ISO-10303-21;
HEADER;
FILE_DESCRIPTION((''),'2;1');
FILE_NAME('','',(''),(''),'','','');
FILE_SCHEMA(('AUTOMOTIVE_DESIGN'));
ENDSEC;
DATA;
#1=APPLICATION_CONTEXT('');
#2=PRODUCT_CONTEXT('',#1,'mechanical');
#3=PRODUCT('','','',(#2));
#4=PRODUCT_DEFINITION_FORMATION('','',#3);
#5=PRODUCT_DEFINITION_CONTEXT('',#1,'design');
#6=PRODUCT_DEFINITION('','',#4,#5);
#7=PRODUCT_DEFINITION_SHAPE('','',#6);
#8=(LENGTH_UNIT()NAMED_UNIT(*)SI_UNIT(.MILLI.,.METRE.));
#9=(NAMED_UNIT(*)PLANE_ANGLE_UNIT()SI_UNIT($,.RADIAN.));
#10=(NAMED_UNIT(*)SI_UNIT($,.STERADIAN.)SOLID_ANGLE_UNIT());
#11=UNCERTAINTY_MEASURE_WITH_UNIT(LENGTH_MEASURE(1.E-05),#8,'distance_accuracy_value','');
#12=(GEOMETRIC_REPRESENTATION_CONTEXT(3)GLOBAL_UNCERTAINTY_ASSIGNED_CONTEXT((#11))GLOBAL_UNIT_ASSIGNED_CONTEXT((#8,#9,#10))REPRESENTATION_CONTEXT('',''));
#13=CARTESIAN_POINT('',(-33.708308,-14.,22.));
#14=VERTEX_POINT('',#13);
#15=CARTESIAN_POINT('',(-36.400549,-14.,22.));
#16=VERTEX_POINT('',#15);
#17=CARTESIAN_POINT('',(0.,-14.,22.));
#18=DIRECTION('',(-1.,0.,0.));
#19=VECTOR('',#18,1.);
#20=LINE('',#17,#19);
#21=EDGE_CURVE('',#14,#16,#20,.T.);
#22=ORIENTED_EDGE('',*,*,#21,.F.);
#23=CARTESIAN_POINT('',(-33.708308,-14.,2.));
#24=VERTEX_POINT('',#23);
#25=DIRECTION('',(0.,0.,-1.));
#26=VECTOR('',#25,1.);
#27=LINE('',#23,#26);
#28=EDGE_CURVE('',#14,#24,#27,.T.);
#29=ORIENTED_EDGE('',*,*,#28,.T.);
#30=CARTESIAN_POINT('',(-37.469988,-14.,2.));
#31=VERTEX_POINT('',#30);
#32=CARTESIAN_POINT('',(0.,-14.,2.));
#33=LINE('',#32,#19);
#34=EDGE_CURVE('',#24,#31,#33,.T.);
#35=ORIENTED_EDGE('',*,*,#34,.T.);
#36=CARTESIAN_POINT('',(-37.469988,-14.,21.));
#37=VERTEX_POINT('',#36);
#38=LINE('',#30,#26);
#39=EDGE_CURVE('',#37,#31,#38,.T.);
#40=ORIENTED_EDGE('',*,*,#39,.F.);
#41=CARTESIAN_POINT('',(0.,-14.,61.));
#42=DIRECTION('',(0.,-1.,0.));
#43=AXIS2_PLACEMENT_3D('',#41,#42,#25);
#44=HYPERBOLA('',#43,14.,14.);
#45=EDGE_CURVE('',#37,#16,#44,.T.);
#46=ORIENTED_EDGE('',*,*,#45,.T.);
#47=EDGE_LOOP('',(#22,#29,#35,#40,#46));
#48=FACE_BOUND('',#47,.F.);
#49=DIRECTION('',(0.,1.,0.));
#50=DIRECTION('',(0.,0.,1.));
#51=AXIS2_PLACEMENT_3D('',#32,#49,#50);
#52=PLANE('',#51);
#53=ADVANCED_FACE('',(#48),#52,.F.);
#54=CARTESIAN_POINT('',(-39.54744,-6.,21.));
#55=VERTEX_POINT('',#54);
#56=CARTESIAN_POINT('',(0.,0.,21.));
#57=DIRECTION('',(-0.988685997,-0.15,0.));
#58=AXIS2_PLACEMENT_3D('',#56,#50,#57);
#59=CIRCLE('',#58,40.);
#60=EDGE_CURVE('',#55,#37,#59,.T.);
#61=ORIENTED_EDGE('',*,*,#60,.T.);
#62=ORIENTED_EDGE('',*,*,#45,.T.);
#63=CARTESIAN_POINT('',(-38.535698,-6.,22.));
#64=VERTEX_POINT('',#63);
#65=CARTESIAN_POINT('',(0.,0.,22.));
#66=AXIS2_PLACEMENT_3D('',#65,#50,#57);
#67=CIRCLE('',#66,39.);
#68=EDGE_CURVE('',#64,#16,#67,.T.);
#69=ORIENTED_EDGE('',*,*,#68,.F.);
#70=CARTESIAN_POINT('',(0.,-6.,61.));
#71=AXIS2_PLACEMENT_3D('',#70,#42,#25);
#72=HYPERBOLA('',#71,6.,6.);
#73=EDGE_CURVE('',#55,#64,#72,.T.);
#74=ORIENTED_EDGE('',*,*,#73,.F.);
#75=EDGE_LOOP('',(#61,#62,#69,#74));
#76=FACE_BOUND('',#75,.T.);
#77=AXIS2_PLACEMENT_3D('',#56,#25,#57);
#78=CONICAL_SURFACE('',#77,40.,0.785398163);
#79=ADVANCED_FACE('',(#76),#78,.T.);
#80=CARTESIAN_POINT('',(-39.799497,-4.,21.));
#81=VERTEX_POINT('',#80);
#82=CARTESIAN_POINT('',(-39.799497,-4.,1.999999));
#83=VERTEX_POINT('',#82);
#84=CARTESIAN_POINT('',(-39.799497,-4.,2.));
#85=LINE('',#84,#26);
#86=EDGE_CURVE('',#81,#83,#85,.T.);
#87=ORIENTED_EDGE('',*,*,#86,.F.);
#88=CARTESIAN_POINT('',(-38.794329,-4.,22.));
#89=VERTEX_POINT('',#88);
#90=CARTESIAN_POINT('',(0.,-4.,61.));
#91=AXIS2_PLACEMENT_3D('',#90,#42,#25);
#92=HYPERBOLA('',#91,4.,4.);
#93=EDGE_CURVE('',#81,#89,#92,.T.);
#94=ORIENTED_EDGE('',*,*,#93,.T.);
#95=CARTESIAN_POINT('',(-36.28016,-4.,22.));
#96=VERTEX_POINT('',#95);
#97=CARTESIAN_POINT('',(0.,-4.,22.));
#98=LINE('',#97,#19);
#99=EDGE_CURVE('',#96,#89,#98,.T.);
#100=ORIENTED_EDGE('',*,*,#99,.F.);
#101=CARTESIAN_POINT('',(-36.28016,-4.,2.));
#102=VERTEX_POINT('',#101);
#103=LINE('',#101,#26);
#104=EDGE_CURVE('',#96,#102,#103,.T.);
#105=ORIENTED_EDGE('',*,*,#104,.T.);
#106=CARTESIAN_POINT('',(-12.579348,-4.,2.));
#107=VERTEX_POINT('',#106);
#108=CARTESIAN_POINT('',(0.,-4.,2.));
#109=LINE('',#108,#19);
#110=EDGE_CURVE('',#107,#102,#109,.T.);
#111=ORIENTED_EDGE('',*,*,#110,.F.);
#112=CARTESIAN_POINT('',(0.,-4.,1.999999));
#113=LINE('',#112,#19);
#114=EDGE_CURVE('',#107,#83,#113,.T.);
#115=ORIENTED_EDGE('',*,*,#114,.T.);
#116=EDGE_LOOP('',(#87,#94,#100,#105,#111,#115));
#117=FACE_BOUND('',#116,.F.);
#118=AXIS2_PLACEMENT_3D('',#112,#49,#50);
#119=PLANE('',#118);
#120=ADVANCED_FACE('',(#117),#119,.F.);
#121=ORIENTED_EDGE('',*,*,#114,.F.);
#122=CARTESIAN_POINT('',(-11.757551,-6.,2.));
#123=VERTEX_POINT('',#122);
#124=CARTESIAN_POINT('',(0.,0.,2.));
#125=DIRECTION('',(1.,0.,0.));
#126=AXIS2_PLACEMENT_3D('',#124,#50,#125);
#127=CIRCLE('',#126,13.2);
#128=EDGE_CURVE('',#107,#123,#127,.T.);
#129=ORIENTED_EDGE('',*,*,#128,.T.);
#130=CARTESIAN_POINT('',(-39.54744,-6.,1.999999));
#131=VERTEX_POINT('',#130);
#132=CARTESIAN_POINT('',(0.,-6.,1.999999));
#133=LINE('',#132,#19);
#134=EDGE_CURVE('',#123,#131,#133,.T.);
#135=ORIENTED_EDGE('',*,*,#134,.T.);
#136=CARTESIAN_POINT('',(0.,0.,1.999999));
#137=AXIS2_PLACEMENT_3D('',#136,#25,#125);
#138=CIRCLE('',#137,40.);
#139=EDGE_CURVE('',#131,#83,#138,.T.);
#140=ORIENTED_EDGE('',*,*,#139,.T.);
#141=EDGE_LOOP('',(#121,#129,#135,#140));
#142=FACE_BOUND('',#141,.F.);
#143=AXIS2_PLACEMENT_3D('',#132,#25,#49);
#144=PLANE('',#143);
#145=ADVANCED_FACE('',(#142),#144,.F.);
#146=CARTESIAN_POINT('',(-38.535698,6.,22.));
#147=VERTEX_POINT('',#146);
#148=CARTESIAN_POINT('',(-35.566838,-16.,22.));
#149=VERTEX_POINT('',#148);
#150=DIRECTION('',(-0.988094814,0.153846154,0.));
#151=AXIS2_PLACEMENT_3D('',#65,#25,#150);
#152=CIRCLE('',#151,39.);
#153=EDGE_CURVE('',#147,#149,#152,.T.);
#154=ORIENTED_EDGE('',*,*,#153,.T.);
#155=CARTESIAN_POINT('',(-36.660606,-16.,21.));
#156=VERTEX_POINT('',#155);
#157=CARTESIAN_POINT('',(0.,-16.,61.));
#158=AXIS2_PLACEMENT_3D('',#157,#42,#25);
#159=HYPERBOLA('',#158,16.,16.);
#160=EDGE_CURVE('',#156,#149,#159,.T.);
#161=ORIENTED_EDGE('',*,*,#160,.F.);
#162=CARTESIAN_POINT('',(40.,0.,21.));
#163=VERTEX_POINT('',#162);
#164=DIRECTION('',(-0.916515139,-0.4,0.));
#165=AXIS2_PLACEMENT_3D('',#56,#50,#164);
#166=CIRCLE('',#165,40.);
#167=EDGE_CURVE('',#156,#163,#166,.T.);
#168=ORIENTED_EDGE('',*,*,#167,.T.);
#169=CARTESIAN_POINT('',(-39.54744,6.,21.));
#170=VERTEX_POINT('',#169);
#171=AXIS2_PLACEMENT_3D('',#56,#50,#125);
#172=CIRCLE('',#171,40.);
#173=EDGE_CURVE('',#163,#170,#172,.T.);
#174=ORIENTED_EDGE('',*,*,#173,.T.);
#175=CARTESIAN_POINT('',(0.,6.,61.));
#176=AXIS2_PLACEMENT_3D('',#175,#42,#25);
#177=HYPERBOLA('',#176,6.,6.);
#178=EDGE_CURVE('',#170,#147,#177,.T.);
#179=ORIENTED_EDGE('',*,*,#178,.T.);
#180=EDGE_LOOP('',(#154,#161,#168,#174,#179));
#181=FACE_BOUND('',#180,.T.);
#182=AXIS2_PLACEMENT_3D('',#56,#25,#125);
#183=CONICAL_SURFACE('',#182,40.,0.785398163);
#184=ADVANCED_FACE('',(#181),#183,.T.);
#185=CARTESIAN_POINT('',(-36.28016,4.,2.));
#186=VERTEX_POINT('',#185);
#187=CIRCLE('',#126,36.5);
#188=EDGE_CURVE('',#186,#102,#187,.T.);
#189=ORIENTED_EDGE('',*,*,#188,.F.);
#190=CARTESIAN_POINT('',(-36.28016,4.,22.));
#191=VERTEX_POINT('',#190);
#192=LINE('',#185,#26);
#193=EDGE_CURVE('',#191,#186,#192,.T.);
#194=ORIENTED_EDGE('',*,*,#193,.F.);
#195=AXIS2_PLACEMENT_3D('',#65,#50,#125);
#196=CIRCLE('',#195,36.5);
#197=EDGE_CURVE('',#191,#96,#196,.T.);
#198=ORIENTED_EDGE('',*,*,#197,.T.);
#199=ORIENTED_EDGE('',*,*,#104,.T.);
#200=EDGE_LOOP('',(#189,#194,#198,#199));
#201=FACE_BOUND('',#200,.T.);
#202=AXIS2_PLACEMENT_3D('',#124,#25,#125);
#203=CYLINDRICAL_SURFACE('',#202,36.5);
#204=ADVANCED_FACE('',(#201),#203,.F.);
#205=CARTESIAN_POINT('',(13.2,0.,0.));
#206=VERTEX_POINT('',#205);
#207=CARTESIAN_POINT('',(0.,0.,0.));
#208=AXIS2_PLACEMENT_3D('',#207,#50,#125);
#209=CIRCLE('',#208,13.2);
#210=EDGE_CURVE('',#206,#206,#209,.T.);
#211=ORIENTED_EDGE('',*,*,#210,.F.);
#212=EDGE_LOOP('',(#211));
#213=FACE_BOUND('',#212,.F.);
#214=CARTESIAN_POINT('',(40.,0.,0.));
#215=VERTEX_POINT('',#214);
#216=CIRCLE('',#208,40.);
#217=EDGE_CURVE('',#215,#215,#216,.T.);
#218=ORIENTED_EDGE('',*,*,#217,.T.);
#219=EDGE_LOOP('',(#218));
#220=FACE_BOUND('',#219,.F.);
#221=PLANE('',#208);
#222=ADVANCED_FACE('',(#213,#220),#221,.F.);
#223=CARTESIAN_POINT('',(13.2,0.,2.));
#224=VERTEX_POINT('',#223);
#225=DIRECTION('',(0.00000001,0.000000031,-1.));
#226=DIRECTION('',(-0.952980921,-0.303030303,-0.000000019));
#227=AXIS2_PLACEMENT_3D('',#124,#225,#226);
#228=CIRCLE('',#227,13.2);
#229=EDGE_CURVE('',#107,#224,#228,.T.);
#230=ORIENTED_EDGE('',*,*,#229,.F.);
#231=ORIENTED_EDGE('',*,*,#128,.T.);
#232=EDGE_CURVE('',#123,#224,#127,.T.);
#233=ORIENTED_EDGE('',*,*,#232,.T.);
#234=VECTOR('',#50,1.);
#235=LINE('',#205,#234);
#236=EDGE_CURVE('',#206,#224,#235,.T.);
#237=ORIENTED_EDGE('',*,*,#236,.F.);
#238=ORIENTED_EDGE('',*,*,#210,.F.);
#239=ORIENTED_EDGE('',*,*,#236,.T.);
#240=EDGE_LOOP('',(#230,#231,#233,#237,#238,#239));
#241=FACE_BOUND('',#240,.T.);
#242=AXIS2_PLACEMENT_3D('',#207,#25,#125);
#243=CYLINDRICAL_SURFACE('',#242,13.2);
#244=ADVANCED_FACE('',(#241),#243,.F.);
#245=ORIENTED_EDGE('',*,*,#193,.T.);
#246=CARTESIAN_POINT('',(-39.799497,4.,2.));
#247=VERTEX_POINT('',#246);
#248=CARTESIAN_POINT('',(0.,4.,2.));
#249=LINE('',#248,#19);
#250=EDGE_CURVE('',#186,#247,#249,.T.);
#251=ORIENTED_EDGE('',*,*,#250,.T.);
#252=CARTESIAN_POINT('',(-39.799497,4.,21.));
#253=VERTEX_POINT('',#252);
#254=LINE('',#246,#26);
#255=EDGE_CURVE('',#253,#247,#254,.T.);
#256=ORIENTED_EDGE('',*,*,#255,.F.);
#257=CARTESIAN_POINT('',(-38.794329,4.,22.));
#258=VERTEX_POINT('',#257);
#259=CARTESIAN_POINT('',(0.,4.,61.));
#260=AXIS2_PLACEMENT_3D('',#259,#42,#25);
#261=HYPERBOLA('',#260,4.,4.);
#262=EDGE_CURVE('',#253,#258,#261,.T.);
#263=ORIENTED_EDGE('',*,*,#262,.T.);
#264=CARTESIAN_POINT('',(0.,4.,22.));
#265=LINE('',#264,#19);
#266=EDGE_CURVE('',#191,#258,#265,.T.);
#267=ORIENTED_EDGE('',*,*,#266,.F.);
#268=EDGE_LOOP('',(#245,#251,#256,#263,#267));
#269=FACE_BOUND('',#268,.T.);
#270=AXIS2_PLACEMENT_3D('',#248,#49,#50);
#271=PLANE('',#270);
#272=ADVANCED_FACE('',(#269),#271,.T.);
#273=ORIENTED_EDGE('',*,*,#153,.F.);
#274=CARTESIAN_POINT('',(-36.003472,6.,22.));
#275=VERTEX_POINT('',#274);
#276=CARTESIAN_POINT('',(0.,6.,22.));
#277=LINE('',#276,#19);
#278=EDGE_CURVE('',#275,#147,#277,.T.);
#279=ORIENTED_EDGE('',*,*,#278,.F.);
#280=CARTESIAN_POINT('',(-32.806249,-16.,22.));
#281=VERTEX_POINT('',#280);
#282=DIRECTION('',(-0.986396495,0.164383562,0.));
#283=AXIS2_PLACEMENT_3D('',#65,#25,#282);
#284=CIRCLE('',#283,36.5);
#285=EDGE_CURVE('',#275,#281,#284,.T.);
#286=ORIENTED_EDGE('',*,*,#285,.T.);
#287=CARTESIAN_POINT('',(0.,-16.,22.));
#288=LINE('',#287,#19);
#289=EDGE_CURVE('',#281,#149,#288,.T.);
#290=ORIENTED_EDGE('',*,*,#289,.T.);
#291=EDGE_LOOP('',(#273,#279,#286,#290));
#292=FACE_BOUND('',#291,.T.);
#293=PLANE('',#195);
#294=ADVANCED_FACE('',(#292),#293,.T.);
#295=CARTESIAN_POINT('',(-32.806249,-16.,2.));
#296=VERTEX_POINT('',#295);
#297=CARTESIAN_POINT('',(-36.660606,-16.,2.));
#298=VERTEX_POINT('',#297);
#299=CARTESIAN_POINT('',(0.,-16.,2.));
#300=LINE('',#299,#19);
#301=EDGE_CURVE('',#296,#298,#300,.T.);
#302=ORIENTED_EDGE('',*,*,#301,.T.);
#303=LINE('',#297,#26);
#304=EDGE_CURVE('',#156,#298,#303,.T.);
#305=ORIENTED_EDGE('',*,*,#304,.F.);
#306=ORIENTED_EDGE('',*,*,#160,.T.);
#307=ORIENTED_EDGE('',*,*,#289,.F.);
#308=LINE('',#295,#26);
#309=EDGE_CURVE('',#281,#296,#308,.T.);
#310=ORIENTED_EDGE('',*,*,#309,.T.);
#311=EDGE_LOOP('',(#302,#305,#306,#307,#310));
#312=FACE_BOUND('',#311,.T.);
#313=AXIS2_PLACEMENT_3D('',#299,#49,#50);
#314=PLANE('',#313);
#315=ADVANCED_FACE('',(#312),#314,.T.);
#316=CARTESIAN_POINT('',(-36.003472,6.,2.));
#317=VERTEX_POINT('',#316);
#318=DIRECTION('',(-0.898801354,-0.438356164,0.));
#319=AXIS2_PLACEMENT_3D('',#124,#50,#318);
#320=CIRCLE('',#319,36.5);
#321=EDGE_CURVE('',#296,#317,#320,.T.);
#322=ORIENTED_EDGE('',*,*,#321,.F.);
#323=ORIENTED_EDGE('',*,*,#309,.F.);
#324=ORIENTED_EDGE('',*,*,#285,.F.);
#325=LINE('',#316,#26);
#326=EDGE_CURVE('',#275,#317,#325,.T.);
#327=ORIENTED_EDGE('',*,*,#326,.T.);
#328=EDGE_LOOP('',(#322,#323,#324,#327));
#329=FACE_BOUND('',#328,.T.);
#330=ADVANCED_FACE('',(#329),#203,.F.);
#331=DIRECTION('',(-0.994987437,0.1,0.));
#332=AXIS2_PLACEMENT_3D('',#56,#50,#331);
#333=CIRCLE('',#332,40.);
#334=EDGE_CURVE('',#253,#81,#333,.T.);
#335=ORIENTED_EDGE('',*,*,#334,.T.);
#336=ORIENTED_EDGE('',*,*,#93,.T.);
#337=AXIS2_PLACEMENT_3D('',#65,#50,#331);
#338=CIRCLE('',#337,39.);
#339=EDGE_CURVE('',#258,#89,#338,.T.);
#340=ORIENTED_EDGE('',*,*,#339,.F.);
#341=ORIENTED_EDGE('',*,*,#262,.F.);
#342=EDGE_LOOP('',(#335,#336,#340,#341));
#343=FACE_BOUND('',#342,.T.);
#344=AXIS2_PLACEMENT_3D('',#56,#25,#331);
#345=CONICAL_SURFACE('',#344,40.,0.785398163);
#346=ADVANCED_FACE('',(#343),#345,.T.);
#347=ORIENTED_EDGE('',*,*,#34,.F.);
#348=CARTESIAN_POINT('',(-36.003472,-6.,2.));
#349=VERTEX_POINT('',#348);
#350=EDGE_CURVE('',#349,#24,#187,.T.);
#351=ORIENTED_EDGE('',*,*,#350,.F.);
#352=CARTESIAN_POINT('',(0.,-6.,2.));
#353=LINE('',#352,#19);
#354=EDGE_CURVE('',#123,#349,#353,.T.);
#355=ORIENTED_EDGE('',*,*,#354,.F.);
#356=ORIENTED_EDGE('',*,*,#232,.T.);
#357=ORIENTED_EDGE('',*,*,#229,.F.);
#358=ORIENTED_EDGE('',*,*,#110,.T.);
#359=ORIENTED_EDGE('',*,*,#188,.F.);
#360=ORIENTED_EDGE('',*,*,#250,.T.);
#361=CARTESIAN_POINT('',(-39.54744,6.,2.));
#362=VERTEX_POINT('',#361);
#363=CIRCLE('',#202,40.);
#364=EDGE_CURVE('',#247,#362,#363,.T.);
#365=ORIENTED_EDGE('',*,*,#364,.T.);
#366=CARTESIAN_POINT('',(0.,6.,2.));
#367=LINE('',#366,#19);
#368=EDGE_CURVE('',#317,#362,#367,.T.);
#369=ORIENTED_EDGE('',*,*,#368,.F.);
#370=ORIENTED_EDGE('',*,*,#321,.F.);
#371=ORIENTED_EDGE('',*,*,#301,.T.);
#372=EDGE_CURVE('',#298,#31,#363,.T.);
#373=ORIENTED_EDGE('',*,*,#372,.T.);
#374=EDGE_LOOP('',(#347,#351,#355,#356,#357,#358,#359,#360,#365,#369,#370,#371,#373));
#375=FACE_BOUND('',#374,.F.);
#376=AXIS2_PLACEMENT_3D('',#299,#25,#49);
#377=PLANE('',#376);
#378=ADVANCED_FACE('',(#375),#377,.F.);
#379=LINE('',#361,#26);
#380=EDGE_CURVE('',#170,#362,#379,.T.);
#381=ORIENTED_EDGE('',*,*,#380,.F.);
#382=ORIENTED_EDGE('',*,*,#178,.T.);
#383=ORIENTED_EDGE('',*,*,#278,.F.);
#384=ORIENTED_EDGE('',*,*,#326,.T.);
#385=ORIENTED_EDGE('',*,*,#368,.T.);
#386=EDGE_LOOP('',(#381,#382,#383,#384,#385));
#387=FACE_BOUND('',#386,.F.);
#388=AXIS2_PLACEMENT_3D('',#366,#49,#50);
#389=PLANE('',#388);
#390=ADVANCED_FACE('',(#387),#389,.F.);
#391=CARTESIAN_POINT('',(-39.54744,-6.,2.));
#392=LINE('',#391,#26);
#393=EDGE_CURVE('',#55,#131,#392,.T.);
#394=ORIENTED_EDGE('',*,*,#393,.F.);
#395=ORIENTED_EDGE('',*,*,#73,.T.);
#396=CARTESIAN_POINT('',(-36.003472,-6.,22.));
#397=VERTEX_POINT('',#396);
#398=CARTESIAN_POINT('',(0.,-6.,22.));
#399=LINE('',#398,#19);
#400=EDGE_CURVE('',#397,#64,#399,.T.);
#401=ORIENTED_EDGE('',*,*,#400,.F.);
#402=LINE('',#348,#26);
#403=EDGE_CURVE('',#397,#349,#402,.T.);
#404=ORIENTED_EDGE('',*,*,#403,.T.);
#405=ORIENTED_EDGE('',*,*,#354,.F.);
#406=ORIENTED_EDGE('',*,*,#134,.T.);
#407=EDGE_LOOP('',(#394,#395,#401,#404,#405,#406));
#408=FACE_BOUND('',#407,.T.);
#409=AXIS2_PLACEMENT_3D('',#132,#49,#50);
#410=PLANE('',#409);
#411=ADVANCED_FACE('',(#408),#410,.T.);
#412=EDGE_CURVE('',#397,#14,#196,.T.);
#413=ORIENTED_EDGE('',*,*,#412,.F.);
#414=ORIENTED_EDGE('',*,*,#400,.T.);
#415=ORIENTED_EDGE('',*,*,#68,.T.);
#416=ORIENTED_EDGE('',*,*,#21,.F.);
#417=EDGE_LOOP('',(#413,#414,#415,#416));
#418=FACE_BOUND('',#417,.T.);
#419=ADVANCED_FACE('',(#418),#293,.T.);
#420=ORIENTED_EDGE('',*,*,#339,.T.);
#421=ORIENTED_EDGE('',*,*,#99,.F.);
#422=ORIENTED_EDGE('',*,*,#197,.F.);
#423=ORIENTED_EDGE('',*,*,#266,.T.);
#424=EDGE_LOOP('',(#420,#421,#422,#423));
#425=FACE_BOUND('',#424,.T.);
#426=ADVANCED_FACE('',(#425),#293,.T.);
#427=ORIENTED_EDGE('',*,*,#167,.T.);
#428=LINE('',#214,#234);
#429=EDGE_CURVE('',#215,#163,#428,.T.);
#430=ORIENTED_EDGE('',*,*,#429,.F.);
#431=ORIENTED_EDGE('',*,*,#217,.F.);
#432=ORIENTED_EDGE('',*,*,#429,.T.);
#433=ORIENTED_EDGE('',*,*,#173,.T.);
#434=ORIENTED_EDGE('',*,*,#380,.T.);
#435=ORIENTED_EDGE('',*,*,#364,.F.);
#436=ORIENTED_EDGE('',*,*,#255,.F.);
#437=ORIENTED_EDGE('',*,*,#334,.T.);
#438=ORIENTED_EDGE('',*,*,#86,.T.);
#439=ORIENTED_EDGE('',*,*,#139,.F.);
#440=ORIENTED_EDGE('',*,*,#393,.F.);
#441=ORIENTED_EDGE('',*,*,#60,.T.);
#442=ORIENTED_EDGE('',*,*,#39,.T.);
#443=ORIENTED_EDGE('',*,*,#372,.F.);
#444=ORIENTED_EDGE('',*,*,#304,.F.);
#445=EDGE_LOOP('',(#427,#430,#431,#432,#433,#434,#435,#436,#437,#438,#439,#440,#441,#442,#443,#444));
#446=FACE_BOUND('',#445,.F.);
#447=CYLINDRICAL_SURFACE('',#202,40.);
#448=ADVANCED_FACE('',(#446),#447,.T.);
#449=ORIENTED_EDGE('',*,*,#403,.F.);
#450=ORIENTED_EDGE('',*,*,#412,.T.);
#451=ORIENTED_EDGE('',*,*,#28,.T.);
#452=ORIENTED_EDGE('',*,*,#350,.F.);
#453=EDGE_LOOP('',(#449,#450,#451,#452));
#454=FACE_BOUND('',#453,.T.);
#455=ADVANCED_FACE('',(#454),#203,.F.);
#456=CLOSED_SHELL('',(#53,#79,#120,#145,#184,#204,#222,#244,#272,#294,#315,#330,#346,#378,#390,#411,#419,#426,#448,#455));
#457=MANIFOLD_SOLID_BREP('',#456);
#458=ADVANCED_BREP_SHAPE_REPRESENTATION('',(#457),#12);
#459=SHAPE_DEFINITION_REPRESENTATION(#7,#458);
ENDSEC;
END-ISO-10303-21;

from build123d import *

# Parameters (mm, degrees)
SKETCH_R        = 40
SKETCH_R_2      = 13.2
PAD_DEPTH       = 2
SKETCH001_R     = 40
SKETCH001_R_2   = 36.5
PAD001_DEPTH    = 20
SKETCH002_W     = 2
SKETCH002_H     = 26.167402
SKETCH002_H_2   = 24.922537
SKETCH002_H_3   = 27.566788
POCKET_DEPTH    = 40.001
CHAMFER_SIZE    = 1
CHAMFER001_SIZE = 1
CHAMFER002_SIZE = 1


with BuildPart() as part:
    # Sketch → Pad (new body)
    with BuildSketch(Plane.XY):
        Circle(SKETCH_R)
        Circle(SKETCH_R_2, mode=Mode.SUBTRACT)
    extrude(amount=PAD_DEPTH)

    # Sketch001 (on Face4 of Pad) → Pad001 (join)
    with BuildSketch(Plane.XY.offset(2)):
        Circle(SKETCH001_R)
        Circle(SKETCH001_R_2, mode=Mode.SUBTRACT)
    extrude(amount=PAD001_DEPTH)

    # Sketch002 → Pocket (cut, through all)
    with BuildSketch(Plane.YZ):
        with Locations((5, 15.083701)):
            Rectangle(SKETCH002_W, SKETCH002_H)
        with Locations((-5, 14.461268)):
            Rectangle(SKETCH002_W, SKETCH002_H_2)
        with Locations((-15, 15.783394)):
            Rectangle(SKETCH002_W, SKETCH002_H_3)
    extrude(amount=-POCKET_DEPTH, mode=Mode.SUBTRACT)

    # Chamfer
    chamfer_edges = [part.edges().sort_by_distance(p)[0] for p in [
        (3.008522, 39.8867, 22),
    ]]
    chamfer(chamfer_edges, length=CHAMFER_SIZE)

    # Chamfer001
    chamfer001_edges = [part.edges().sort_by_distance(p)[0] for p in [
        (-40, 0, 22),
    ]]
    chamfer(chamfer001_edges, length=CHAMFER001_SIZE)

    # Chamfer002
    chamfer002_edges = [part.edges().sort_by_distance(p)[0] for p in [
        (-38.715902, -10.053803, 22),
    ]]
    chamfer(chamfer002_edges, length=CHAMFER002_SIZE)


solid = part.part
